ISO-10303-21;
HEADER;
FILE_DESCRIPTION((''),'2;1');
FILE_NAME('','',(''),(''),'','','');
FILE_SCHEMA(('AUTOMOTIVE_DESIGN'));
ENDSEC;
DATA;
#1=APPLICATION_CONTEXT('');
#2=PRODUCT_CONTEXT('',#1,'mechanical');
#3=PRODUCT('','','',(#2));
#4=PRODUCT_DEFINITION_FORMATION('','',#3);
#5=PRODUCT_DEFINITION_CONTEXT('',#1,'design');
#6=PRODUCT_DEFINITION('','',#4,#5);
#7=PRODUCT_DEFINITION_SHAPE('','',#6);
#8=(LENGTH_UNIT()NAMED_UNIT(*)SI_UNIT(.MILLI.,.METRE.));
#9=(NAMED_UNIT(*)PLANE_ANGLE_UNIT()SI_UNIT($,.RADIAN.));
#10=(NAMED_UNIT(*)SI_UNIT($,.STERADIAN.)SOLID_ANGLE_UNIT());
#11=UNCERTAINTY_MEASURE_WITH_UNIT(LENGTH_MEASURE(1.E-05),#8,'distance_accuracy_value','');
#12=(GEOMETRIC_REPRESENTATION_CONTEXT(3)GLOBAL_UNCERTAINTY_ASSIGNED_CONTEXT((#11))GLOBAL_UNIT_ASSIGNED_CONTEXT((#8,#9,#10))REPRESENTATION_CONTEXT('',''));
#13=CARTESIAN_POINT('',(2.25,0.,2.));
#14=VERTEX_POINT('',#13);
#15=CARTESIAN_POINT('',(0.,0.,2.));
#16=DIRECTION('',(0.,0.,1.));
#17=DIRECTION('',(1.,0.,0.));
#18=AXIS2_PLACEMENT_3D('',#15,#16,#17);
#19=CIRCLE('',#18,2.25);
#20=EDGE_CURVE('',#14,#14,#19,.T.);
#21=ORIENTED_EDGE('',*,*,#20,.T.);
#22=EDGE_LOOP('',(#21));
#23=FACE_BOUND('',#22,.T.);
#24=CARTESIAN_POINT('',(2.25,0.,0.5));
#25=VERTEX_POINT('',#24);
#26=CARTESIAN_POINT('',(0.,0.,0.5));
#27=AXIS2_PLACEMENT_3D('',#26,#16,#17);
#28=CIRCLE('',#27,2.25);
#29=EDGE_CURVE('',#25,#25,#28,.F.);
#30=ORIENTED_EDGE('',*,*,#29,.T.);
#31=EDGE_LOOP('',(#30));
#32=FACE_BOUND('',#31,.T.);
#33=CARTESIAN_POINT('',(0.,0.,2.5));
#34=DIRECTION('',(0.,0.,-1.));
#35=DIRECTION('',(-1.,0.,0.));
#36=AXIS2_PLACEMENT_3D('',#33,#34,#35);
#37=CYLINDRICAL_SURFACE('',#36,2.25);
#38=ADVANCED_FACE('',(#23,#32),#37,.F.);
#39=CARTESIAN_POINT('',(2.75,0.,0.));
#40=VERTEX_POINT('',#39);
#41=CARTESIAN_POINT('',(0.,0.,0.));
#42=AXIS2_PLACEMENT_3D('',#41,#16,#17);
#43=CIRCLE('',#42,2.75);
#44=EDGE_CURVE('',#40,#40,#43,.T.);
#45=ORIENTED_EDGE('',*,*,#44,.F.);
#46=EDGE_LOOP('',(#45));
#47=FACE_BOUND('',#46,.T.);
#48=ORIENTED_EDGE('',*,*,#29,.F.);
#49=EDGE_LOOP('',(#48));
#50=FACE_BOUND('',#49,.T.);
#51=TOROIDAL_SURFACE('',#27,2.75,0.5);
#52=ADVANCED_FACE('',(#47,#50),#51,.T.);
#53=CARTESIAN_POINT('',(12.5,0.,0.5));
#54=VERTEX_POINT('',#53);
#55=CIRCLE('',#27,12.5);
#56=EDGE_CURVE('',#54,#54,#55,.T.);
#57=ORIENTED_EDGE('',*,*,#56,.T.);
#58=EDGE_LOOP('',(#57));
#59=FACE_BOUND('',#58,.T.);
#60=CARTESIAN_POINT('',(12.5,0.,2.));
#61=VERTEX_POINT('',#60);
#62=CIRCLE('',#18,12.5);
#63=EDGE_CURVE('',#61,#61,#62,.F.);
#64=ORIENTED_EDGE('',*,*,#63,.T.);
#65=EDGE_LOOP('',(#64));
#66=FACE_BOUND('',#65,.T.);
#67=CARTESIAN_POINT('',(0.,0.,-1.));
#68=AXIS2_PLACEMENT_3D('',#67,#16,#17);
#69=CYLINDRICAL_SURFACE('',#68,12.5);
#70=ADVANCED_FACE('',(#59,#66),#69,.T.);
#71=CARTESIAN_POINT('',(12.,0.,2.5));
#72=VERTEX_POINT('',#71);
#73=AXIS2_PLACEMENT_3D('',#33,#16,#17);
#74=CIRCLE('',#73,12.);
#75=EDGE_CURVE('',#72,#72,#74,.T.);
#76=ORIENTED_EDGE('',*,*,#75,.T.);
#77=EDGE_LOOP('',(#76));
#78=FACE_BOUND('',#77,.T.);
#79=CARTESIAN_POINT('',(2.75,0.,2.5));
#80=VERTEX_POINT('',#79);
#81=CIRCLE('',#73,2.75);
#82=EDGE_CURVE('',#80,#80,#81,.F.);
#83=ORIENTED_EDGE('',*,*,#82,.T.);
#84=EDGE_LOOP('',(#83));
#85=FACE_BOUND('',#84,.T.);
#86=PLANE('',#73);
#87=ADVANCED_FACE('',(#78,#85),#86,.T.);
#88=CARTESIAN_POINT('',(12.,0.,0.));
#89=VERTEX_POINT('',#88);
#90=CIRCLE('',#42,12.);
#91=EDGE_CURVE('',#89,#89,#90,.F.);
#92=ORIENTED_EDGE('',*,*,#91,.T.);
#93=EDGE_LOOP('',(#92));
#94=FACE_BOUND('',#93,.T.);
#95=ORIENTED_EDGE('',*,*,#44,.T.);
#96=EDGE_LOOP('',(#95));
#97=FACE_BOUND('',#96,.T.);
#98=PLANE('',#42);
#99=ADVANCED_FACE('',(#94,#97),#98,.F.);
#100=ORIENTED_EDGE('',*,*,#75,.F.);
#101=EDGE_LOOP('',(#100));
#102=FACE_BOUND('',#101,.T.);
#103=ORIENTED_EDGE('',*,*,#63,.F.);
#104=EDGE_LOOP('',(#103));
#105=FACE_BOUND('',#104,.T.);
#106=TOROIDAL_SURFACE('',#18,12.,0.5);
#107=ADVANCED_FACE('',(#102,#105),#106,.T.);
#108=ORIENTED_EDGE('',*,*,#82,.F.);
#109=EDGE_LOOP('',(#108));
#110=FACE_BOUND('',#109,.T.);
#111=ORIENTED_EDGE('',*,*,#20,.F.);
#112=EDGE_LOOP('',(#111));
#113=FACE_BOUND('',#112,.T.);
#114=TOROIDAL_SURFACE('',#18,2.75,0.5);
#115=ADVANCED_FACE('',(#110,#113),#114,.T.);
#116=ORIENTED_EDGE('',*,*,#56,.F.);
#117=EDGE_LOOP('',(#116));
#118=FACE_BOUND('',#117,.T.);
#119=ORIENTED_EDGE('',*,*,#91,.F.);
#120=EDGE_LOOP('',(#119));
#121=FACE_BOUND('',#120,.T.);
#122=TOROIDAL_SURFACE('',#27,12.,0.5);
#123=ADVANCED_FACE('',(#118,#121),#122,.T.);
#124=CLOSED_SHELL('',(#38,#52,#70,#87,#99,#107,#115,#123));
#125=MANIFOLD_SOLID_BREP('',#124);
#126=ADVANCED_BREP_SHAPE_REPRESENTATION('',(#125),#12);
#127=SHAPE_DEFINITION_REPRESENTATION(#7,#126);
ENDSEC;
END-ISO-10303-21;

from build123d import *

# Parameters (mm, degrees)
SKETCH1_R               = 45
SKETCH1_R_2             = 2.25
SKETCH1_R_3             = 1.75
BOSS_EXTRUDE1_DEPTH     = 2.5
SKETCH2_R               = 29.85
SKETCH2_R_2             = 12.65
BOSS_EXTRUDE2_DEPTH     = 1
CUT_EXTRUDE1_DEPTH      = 64.688696014
CUT_EXTRUDE1_DEPTH_BACK = 64.688696014
SKETCH3_R               = 45
SKETCH3_R_2             = 12.5
FILLET1_R               = 0.5


with BuildPart() as part:
    # Sketch1 → Boss-Extrude1 (new body)
    with BuildSketch(Plane.XY):
        Circle(SKETCH1_R)
        Circle(SKETCH1_R_2, mode=Mode.SUBTRACT)
        with Locations((0, 33.5)):
            Circle(SKETCH1_R_3, mode=Mode.SUBTRACT)
        with Locations((33.5, 0)):
            Circle(SKETCH1_R_3, mode=Mode.SUBTRACT)
        with Locations((0, -33.5)):
            Circle(SKETCH1_R_3, mode=Mode.SUBTRACT)
        with Locations((-33.5, 0)):
            Circle(SKETCH1_R_3, mode=Mode.SUBTRACT)
    extrude(amount=BOSS_EXTRUDE1_DEPTH)

    # Sketch2 → Boss-Extrude2 (add)
    with BuildSketch(Plane(origin=(0, 0, 0), x_dir=(-1, 0, 0), z_dir=(0, 0, -1))):
        Circle(SKETCH2_R)
        Circle(SKETCH2_R_2, mode=Mode.SUBTRACT)
    extrude(amount=BOSS_EXTRUDE2_DEPTH)

    # Sketch3 → Cut-Extrude1 (cut, two sides: drawn at the far end of the back side and taken through both)
    with BuildSketch(Plane.XY.offset(-CUT_EXTRUDE1_DEPTH_BACK)):
        Circle(SKETCH3_R)
        Circle(SKETCH3_R_2, mode=Mode.SUBTRACT)
    extrude(amount=CUT_EXTRUDE1_DEPTH + CUT_EXTRUDE1_DEPTH_BACK, mode=Mode.SUBTRACT)

    # Fillet1
    fillet1_edges = [part.edges().sort_by_distance(p)[0] for p in [
        (-12.5, 0, 2.5),
        (-12.5, 0, 0),
        (-2.25, 0, 0),
        (-2.25, 0, 2.5),
    ]]
    fillet(fillet1_edges, radius=FILLET1_R)


solid = part.part
